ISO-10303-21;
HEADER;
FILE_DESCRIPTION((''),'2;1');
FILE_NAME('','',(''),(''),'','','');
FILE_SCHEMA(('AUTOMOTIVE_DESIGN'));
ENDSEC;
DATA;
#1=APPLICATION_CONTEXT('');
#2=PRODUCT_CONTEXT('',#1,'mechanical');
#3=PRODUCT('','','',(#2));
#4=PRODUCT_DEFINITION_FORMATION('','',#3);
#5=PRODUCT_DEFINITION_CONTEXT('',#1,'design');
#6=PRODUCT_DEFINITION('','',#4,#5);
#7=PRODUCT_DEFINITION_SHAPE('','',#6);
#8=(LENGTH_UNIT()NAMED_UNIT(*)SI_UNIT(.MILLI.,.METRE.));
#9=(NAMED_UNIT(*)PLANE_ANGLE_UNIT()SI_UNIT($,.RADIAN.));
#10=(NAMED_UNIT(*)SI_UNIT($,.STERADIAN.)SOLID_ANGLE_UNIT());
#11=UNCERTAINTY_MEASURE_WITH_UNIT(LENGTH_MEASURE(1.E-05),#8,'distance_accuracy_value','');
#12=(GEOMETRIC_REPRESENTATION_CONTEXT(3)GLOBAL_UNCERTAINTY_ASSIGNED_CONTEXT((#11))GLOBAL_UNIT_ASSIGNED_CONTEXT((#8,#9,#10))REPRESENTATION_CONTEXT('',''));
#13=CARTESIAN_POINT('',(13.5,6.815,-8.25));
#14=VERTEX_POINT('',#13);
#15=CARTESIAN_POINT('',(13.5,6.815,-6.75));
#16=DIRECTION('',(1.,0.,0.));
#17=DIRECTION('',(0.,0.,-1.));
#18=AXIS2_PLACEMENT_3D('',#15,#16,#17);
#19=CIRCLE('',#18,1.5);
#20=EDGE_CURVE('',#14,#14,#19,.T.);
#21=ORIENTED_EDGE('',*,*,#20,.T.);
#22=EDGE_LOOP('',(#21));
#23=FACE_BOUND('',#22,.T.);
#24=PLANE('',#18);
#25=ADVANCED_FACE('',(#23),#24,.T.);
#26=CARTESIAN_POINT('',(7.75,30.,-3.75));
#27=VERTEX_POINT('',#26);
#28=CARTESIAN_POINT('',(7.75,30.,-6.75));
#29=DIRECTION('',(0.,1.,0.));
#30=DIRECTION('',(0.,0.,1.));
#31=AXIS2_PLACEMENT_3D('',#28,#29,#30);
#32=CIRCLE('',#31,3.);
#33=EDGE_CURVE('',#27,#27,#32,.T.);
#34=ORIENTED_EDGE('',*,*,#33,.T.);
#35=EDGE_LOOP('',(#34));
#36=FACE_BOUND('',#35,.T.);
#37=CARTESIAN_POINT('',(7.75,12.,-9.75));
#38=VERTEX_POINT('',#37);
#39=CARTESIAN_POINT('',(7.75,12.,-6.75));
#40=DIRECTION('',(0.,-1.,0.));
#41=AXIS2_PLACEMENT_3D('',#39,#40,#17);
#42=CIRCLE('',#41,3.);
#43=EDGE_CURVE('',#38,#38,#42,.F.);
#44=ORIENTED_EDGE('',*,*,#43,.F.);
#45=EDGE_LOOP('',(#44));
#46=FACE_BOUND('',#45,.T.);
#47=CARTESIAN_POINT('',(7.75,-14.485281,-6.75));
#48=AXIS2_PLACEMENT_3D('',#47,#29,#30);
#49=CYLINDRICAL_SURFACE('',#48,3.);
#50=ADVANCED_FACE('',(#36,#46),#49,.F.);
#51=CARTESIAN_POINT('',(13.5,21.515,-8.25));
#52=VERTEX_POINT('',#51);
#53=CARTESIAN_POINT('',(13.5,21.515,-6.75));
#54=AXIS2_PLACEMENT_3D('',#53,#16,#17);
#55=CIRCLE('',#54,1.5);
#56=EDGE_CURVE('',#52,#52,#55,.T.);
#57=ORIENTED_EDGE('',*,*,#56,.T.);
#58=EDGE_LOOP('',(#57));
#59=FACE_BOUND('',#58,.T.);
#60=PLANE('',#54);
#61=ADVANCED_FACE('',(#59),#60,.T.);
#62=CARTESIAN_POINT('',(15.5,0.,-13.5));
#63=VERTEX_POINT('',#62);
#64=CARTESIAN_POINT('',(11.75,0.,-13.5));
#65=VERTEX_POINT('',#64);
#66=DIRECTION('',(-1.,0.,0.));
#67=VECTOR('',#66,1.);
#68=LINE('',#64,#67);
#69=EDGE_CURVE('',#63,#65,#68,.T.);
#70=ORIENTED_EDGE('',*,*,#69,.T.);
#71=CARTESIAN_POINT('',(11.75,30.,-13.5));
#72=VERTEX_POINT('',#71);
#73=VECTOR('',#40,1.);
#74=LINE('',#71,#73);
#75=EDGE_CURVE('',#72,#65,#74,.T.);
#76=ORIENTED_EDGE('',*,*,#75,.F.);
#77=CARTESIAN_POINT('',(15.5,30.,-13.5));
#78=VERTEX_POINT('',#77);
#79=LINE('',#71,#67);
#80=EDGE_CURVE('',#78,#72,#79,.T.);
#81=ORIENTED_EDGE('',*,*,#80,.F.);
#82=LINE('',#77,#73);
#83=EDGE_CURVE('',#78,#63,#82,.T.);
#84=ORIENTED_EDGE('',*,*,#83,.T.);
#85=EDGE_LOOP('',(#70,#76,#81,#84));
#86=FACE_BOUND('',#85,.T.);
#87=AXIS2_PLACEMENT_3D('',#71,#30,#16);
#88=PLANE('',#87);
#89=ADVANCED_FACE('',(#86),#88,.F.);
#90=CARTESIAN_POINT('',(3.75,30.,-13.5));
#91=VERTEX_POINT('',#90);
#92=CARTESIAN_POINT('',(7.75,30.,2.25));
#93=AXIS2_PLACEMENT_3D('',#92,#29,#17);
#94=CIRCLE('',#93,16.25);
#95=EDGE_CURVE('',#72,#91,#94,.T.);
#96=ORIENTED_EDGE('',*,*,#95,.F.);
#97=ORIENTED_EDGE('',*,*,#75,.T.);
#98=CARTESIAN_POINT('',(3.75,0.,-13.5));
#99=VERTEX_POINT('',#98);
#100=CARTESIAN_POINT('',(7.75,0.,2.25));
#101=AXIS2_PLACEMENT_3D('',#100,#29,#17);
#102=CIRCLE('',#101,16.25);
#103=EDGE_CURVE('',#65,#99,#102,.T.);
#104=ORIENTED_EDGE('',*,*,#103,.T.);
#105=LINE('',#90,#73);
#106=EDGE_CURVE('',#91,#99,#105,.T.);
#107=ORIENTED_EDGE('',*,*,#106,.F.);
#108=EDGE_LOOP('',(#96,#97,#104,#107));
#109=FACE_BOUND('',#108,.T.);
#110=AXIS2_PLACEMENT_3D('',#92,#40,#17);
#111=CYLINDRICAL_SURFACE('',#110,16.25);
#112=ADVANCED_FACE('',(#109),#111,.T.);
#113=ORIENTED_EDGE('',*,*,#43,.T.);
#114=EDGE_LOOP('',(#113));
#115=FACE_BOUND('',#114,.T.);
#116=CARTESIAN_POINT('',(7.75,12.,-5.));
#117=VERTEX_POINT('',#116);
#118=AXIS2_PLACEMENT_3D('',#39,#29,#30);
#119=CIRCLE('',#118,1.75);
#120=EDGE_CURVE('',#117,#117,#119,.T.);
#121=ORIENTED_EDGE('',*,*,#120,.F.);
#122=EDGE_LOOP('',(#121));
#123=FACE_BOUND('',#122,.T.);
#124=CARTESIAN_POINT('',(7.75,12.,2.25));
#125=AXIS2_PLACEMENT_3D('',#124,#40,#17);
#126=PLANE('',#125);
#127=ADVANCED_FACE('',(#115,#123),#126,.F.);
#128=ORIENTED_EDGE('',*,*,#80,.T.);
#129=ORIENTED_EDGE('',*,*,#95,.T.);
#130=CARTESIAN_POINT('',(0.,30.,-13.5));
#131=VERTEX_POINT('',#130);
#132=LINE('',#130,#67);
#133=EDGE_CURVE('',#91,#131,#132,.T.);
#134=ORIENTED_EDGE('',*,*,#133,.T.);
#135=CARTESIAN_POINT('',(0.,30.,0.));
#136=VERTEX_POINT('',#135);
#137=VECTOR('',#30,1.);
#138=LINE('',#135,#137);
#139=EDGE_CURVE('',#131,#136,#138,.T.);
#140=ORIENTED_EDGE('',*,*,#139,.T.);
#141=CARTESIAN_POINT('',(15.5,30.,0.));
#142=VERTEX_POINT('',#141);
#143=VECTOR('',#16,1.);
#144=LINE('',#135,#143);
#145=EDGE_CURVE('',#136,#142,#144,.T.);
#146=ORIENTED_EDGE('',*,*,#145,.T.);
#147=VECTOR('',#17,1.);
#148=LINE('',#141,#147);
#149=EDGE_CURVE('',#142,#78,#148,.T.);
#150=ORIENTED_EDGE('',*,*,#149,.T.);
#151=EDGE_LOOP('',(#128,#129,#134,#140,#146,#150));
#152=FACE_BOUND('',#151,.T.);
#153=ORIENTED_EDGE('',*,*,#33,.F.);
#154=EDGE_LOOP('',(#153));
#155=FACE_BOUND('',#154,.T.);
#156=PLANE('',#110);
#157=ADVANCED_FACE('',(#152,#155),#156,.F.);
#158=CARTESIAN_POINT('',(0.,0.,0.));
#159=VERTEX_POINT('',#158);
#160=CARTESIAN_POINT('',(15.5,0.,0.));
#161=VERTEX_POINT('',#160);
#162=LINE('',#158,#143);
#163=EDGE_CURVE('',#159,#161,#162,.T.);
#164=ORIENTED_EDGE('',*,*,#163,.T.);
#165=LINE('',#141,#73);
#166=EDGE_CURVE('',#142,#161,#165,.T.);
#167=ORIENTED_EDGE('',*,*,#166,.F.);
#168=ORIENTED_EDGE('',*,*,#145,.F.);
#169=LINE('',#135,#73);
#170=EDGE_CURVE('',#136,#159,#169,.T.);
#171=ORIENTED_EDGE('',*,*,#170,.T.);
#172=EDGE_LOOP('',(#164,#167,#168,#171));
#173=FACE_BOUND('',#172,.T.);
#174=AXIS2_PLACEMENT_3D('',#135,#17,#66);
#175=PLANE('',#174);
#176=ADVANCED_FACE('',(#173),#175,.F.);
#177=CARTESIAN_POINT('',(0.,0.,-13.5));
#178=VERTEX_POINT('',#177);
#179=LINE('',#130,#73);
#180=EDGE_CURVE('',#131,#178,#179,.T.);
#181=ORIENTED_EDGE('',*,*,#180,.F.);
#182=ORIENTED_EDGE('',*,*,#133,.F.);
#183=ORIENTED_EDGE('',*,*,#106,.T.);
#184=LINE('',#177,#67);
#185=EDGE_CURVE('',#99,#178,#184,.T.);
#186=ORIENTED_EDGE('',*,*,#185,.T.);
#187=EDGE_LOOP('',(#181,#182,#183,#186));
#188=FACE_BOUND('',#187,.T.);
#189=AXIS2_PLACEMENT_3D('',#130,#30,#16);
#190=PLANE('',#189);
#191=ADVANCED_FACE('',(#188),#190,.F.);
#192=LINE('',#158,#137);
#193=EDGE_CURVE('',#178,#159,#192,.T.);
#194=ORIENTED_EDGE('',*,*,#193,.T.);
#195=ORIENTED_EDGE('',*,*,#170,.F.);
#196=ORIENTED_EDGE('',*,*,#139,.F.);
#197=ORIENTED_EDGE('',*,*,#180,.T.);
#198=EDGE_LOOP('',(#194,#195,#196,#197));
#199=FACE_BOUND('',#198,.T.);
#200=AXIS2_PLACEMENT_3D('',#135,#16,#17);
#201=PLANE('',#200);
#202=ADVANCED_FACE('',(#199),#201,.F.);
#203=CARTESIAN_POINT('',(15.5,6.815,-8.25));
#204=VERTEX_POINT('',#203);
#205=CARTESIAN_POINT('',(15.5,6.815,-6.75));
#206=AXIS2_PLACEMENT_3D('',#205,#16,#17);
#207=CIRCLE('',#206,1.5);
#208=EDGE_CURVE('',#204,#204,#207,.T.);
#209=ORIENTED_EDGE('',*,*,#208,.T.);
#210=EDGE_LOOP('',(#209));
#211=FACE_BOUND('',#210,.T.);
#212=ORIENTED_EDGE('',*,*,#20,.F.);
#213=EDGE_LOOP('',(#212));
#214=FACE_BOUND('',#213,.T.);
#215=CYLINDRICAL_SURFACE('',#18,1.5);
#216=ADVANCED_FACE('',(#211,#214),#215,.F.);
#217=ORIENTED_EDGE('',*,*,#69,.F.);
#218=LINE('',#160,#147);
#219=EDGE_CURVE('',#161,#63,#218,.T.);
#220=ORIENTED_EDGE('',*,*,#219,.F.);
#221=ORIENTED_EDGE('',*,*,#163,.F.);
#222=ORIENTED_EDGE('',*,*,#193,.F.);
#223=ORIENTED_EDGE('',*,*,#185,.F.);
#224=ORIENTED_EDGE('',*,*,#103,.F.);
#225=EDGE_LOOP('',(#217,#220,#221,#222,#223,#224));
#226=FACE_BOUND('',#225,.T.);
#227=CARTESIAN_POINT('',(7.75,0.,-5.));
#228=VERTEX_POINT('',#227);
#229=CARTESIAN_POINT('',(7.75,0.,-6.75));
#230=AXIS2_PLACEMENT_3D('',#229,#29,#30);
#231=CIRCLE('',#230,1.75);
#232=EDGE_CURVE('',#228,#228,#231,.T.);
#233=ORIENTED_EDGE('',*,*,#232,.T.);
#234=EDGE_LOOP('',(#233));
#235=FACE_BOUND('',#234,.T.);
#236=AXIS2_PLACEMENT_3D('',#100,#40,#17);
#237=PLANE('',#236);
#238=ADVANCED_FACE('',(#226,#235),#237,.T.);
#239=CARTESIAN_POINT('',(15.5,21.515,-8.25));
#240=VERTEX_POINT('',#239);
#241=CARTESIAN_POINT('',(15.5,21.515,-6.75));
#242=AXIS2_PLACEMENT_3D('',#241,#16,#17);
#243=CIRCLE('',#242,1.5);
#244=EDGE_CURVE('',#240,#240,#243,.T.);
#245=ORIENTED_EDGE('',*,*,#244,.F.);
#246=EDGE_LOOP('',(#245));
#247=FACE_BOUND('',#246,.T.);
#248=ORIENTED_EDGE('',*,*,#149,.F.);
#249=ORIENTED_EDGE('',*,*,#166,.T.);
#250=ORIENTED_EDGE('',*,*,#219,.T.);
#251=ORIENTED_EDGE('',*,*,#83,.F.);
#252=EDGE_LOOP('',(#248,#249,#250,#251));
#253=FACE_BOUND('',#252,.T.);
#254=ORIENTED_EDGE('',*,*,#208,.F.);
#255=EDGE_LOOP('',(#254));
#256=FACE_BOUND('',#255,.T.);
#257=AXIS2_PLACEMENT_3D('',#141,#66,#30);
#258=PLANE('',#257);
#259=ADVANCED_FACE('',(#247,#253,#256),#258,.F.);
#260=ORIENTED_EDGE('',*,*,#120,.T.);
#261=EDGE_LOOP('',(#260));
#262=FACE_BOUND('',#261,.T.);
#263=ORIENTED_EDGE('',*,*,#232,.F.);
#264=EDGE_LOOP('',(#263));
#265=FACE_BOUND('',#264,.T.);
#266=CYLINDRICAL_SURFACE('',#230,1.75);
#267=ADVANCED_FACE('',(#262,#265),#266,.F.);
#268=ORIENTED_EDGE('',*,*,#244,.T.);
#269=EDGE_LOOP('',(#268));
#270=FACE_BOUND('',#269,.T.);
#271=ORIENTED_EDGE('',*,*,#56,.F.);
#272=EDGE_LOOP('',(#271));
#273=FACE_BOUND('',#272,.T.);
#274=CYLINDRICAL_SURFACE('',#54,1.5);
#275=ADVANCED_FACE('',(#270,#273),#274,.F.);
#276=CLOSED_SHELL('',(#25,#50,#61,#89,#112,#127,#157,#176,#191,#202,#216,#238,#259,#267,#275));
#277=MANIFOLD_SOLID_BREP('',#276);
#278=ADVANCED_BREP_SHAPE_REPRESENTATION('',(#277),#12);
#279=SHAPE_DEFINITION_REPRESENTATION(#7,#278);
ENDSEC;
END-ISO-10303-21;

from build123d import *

# Parameters (mm, degrees)
BOSS_EXTRUDE1_DEPTH = 30
SKETCH2_R           = 3
CUT_EXTRUDE1_DEPTH  = 18
SKETCH3_R           = 1.75
CUT_EXTRUDE2_DEPTH  = 13
SKETCH4_R           = 1.5
CUT_EXTRUDE3_DEPTH  = 2


with BuildPart() as part:
    # Sketch1 → Boss-Extrude1 (new body)
    with BuildSketch(Plane(origin=(0, 0, 0), x_dir=(1, 0, 0), z_dir=(0, 1, 0))):
        with BuildLine():
            Line((0, 0), (15.5, 0))
            Line((15.5, 0), (15.5, 13.5))
            Line((15.5, 13.5), (11.75, 13.5))
            ThreePointArc((11.75, 13.5), (7.75, 14), (3.75, 13.5))
            Line((3.75, 13.5), (0, 13.5))
            Line((0, 13.5), (0, 0))
        make_face()
    extrude(amount=BOSS_EXTRUDE1_DEPTH)

    # Sketch2 → Cut-Extrude1 (cut)
    with BuildSketch(Plane(origin=(0, 30, 0), x_dir=(1, 0, 0), z_dir=(0, 1, 0))):
        with Locations((7.75, 6.75)):
            Circle(SKETCH2_R)
    extrude(amount=-CUT_EXTRUDE1_DEPTH, mode=Mode.SUBTRACT)

    # Sketch3 → Cut-Extrude2 (cut, through all)
    with BuildSketch(Plane(origin=(0, 12, 0), x_dir=(1, 0, 0), z_dir=(0, 1, 0))):
        with Locations((7.75, 6.75)):
            Circle(SKETCH3_R)
    extrude(amount=-CUT_EXTRUDE2_DEPTH, mode=Mode.SUBTRACT)

    # Sketch4 → Cut-Extrude3 (cut)
    with BuildSketch(Plane(origin=(15.5, 0, 0), x_dir=(0, 0, -1), z_dir=(1, 0, 0))):
        with Locations((6.75, 21.515)):
            Circle(SKETCH4_R)
        with Locations((6.75, 6.815)):
            Circle(SKETCH4_R)
    extrude(amount=-CUT_EXTRUDE3_DEPTH, mode=Mode.SUBTRACT)


solid = part.part
